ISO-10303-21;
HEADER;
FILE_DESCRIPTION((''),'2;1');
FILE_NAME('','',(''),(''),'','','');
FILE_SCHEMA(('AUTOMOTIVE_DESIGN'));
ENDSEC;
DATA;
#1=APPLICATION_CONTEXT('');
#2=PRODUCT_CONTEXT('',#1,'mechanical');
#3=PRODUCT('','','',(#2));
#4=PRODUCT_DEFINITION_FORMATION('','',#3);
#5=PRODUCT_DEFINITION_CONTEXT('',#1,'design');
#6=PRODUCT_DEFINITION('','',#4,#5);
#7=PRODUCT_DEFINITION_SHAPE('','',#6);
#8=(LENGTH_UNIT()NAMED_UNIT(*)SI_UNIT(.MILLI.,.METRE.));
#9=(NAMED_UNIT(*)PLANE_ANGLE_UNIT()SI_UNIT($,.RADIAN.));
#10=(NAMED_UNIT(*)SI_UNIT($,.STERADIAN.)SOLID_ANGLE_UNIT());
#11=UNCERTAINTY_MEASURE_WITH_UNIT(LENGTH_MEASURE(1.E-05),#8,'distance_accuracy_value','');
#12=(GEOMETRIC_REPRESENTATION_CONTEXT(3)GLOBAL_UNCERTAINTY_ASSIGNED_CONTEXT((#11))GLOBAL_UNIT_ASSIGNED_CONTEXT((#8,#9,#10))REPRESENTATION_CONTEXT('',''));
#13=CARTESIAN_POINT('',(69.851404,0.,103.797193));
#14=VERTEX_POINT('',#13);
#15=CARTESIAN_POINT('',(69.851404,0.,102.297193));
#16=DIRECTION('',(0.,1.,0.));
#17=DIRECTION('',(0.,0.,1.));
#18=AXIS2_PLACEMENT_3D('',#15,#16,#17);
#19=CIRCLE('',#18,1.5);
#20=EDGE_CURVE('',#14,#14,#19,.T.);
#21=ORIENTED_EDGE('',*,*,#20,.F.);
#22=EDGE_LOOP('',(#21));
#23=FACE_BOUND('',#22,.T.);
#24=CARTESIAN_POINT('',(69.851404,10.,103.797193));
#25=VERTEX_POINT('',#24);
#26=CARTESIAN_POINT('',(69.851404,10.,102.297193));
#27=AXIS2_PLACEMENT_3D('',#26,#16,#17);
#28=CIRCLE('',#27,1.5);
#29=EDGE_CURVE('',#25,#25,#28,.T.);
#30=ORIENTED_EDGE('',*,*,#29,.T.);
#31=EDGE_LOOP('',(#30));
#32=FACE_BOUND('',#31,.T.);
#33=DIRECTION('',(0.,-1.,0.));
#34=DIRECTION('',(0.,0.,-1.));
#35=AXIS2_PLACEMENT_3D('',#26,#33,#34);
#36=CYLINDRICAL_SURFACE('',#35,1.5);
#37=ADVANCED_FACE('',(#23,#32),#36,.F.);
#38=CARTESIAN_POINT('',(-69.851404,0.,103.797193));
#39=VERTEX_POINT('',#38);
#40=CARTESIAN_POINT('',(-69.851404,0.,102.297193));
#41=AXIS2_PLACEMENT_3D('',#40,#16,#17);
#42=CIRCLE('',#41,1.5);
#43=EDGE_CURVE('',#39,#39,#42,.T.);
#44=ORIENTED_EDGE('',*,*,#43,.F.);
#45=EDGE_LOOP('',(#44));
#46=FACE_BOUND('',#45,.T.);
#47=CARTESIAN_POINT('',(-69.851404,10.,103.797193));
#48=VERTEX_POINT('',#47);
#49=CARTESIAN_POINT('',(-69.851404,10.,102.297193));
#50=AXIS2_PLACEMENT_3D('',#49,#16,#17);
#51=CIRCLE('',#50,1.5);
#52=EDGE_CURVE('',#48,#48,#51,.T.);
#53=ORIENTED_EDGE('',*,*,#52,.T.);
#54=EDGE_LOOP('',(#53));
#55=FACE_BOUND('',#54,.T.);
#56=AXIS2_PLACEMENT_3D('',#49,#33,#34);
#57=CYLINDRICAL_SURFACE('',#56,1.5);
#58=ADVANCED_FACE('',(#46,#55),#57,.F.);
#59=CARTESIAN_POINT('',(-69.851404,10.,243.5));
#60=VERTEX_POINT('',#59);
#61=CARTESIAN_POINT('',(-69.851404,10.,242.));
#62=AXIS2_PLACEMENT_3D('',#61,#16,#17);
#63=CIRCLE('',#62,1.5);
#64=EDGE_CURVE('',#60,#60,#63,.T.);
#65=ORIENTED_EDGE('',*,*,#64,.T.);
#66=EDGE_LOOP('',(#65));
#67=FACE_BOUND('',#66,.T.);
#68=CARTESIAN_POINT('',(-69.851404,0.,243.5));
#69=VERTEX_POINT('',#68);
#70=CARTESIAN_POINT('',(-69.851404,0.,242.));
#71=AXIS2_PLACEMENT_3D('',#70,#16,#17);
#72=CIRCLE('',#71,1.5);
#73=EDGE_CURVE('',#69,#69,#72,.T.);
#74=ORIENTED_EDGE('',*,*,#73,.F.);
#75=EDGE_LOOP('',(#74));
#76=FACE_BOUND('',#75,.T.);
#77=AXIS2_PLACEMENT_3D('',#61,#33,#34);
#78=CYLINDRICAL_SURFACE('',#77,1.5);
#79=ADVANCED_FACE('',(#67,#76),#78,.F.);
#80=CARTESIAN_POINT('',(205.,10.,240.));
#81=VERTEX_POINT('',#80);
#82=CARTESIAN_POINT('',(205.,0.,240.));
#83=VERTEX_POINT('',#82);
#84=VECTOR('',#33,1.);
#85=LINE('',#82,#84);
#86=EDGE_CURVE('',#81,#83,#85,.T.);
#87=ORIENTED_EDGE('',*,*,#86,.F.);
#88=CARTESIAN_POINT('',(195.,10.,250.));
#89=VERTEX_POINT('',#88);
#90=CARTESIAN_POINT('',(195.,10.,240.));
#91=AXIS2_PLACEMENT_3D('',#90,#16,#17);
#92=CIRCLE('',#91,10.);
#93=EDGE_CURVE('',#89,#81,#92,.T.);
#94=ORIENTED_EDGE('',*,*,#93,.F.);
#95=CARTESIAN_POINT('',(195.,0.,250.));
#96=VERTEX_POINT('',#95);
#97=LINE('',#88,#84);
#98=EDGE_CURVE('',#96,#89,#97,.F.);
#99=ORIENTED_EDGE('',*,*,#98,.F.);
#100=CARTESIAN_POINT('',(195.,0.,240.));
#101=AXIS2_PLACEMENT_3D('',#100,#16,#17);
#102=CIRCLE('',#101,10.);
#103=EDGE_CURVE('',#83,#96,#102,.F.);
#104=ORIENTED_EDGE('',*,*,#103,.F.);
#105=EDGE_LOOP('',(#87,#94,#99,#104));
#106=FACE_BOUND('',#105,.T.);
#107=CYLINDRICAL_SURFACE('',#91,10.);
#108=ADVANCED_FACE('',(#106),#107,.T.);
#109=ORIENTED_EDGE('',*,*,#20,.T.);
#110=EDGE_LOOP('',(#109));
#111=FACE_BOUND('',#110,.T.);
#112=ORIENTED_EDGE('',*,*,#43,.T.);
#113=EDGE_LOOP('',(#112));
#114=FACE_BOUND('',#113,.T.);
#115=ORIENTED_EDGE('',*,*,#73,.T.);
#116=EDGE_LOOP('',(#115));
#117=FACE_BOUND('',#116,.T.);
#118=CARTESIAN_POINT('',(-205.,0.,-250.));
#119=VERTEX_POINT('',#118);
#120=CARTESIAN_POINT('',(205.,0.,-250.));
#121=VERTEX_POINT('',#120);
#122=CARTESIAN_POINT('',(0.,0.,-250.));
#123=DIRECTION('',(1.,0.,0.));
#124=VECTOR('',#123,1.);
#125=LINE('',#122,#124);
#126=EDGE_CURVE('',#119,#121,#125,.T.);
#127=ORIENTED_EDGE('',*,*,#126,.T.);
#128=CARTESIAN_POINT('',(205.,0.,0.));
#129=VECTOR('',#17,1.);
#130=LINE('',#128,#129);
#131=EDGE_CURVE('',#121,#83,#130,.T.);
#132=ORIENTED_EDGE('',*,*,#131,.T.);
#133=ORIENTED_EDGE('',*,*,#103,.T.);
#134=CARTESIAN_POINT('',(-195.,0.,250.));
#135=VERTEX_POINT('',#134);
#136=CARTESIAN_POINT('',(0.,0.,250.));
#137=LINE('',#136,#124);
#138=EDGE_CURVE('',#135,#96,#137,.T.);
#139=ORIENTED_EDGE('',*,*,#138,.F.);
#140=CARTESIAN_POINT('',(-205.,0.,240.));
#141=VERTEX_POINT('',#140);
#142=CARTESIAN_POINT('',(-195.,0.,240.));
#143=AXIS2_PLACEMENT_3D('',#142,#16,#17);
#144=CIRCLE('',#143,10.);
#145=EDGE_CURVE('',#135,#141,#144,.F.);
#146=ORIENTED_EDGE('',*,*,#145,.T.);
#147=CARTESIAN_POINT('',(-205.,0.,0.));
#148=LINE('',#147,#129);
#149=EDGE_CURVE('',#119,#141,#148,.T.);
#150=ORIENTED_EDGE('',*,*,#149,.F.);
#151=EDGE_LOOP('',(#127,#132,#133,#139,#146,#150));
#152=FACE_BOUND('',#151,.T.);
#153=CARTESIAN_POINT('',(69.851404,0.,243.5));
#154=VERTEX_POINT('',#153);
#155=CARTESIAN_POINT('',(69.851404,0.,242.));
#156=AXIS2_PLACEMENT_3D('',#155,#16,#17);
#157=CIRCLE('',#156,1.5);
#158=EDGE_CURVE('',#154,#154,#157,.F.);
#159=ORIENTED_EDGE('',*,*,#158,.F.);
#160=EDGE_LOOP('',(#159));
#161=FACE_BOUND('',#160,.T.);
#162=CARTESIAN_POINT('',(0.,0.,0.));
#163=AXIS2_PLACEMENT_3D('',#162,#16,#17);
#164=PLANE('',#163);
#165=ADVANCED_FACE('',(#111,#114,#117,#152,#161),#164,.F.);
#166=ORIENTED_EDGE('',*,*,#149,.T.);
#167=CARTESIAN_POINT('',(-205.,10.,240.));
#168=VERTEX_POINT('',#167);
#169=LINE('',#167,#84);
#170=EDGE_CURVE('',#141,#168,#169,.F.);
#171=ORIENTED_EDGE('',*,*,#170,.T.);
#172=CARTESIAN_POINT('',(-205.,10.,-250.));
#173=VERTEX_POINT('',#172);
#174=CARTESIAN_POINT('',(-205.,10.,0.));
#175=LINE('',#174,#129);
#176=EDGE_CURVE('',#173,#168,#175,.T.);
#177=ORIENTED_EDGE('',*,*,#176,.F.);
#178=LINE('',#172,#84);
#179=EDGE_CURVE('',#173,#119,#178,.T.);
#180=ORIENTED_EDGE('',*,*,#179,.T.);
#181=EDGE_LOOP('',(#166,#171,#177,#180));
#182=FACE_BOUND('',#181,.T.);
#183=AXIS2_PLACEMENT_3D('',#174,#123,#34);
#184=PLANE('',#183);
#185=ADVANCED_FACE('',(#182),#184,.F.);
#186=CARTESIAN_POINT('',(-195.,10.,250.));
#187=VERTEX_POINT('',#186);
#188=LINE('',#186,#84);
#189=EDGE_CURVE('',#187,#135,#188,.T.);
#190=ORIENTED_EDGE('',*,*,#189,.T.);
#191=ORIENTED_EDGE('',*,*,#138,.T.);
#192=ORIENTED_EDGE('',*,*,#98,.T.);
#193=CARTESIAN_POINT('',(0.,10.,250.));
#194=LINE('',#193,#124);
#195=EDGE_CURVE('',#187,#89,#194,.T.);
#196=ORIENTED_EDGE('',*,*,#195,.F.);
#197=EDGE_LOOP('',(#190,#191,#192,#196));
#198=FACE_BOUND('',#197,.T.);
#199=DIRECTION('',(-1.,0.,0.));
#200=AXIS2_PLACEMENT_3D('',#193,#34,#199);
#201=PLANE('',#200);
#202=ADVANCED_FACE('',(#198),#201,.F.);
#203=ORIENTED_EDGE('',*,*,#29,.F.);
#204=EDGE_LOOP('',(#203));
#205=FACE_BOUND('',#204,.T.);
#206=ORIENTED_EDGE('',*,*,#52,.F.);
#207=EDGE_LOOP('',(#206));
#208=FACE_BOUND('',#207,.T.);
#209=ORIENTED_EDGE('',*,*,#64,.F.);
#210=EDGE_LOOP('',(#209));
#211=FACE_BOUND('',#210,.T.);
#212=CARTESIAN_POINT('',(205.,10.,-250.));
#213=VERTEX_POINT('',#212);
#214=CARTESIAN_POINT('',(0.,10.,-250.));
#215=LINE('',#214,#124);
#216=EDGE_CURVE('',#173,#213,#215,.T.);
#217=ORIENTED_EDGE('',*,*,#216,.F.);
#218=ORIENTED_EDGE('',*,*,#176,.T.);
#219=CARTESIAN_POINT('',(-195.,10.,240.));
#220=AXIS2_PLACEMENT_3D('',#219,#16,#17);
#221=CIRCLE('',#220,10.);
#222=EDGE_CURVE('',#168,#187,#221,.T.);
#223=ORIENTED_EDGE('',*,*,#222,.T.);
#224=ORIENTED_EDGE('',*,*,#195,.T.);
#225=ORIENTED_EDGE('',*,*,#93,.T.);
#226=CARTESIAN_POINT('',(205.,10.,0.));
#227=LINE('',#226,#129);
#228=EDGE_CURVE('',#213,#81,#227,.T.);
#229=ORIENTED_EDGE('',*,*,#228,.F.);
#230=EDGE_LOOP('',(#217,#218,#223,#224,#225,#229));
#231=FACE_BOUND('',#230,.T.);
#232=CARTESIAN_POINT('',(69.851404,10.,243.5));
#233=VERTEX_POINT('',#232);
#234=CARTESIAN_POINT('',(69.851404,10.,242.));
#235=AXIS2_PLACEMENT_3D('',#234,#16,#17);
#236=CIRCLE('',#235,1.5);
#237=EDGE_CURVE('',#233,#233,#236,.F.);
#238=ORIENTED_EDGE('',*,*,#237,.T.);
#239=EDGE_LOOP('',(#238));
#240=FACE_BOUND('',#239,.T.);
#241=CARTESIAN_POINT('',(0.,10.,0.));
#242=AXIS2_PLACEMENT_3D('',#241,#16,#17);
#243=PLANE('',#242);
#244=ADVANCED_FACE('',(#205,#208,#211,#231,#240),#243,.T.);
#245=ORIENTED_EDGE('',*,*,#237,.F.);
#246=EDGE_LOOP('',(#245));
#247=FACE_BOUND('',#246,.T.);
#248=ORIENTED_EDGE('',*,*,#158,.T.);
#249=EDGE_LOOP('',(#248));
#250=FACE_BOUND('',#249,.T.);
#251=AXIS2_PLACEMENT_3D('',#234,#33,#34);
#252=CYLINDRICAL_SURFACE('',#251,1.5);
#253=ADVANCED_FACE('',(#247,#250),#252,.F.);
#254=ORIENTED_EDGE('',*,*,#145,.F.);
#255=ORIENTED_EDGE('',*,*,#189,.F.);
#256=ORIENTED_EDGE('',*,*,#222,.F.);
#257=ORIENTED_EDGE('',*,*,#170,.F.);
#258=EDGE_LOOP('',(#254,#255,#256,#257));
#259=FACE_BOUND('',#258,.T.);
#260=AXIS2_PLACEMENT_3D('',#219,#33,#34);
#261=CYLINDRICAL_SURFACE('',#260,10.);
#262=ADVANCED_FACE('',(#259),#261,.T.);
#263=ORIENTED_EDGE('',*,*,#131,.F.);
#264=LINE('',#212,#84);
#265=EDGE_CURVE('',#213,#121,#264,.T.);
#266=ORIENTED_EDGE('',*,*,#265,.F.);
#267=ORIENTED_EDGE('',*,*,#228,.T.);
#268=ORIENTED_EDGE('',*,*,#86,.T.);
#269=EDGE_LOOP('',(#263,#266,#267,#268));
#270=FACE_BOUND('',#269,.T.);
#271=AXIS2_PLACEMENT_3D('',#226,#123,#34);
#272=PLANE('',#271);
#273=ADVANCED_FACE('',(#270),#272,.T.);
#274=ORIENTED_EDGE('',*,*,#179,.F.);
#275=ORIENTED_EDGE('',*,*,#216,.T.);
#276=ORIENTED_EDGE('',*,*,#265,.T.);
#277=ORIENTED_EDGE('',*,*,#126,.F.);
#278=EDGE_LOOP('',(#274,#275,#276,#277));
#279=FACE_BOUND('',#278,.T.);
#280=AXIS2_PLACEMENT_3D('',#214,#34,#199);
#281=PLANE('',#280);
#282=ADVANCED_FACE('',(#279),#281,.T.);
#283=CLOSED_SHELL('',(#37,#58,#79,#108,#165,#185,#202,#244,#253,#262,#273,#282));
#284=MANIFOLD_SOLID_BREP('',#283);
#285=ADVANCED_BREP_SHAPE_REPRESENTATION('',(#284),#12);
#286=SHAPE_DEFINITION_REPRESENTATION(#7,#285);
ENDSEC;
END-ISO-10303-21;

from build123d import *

# Parameters (mm, degrees)
SKETCH1_W           = 410
SKETCH1_H           = 500
SKETCH1_R           = 1.5
BOSS_EXTRUDE1_DEPTH = 10
FILLET1_R           = 10


with BuildPart() as part:
    # Sketch1 → Boss-Extrude1 (new body)
    with BuildSketch(Plane(origin=(0, 0, 0), x_dir=(1, 0, 0), z_dir=(0, 1, 0))):
        Rectangle(SKETCH1_W, SKETCH1_H)
        with Locations((-69.851403599, -242)):
            Circle(SKETCH1_R, mode=Mode.SUBTRACT)
        with Locations((-69.851403599, -102.297192802)):
            Circle(SKETCH1_R, mode=Mode.SUBTRACT)
        with Locations((69.851403599, -102.297192802)):
            Circle(SKETCH1_R, mode=Mode.SUBTRACT)
        with Locations((69.851403599, -242)):
            Circle(SKETCH1_R, mode=Mode.SUBTRACT)
    extrude(amount=BOSS_EXTRUDE1_DEPTH)

    # Fillet1
    fillet1_edges = [part.edges().sort_by_distance(p)[0] for p in [
        (205, 5, 250),
        (-205, 5, 250),
    ]]
    fillet(fillet1_edges, radius=FILLET1_R)


solid = part.part
